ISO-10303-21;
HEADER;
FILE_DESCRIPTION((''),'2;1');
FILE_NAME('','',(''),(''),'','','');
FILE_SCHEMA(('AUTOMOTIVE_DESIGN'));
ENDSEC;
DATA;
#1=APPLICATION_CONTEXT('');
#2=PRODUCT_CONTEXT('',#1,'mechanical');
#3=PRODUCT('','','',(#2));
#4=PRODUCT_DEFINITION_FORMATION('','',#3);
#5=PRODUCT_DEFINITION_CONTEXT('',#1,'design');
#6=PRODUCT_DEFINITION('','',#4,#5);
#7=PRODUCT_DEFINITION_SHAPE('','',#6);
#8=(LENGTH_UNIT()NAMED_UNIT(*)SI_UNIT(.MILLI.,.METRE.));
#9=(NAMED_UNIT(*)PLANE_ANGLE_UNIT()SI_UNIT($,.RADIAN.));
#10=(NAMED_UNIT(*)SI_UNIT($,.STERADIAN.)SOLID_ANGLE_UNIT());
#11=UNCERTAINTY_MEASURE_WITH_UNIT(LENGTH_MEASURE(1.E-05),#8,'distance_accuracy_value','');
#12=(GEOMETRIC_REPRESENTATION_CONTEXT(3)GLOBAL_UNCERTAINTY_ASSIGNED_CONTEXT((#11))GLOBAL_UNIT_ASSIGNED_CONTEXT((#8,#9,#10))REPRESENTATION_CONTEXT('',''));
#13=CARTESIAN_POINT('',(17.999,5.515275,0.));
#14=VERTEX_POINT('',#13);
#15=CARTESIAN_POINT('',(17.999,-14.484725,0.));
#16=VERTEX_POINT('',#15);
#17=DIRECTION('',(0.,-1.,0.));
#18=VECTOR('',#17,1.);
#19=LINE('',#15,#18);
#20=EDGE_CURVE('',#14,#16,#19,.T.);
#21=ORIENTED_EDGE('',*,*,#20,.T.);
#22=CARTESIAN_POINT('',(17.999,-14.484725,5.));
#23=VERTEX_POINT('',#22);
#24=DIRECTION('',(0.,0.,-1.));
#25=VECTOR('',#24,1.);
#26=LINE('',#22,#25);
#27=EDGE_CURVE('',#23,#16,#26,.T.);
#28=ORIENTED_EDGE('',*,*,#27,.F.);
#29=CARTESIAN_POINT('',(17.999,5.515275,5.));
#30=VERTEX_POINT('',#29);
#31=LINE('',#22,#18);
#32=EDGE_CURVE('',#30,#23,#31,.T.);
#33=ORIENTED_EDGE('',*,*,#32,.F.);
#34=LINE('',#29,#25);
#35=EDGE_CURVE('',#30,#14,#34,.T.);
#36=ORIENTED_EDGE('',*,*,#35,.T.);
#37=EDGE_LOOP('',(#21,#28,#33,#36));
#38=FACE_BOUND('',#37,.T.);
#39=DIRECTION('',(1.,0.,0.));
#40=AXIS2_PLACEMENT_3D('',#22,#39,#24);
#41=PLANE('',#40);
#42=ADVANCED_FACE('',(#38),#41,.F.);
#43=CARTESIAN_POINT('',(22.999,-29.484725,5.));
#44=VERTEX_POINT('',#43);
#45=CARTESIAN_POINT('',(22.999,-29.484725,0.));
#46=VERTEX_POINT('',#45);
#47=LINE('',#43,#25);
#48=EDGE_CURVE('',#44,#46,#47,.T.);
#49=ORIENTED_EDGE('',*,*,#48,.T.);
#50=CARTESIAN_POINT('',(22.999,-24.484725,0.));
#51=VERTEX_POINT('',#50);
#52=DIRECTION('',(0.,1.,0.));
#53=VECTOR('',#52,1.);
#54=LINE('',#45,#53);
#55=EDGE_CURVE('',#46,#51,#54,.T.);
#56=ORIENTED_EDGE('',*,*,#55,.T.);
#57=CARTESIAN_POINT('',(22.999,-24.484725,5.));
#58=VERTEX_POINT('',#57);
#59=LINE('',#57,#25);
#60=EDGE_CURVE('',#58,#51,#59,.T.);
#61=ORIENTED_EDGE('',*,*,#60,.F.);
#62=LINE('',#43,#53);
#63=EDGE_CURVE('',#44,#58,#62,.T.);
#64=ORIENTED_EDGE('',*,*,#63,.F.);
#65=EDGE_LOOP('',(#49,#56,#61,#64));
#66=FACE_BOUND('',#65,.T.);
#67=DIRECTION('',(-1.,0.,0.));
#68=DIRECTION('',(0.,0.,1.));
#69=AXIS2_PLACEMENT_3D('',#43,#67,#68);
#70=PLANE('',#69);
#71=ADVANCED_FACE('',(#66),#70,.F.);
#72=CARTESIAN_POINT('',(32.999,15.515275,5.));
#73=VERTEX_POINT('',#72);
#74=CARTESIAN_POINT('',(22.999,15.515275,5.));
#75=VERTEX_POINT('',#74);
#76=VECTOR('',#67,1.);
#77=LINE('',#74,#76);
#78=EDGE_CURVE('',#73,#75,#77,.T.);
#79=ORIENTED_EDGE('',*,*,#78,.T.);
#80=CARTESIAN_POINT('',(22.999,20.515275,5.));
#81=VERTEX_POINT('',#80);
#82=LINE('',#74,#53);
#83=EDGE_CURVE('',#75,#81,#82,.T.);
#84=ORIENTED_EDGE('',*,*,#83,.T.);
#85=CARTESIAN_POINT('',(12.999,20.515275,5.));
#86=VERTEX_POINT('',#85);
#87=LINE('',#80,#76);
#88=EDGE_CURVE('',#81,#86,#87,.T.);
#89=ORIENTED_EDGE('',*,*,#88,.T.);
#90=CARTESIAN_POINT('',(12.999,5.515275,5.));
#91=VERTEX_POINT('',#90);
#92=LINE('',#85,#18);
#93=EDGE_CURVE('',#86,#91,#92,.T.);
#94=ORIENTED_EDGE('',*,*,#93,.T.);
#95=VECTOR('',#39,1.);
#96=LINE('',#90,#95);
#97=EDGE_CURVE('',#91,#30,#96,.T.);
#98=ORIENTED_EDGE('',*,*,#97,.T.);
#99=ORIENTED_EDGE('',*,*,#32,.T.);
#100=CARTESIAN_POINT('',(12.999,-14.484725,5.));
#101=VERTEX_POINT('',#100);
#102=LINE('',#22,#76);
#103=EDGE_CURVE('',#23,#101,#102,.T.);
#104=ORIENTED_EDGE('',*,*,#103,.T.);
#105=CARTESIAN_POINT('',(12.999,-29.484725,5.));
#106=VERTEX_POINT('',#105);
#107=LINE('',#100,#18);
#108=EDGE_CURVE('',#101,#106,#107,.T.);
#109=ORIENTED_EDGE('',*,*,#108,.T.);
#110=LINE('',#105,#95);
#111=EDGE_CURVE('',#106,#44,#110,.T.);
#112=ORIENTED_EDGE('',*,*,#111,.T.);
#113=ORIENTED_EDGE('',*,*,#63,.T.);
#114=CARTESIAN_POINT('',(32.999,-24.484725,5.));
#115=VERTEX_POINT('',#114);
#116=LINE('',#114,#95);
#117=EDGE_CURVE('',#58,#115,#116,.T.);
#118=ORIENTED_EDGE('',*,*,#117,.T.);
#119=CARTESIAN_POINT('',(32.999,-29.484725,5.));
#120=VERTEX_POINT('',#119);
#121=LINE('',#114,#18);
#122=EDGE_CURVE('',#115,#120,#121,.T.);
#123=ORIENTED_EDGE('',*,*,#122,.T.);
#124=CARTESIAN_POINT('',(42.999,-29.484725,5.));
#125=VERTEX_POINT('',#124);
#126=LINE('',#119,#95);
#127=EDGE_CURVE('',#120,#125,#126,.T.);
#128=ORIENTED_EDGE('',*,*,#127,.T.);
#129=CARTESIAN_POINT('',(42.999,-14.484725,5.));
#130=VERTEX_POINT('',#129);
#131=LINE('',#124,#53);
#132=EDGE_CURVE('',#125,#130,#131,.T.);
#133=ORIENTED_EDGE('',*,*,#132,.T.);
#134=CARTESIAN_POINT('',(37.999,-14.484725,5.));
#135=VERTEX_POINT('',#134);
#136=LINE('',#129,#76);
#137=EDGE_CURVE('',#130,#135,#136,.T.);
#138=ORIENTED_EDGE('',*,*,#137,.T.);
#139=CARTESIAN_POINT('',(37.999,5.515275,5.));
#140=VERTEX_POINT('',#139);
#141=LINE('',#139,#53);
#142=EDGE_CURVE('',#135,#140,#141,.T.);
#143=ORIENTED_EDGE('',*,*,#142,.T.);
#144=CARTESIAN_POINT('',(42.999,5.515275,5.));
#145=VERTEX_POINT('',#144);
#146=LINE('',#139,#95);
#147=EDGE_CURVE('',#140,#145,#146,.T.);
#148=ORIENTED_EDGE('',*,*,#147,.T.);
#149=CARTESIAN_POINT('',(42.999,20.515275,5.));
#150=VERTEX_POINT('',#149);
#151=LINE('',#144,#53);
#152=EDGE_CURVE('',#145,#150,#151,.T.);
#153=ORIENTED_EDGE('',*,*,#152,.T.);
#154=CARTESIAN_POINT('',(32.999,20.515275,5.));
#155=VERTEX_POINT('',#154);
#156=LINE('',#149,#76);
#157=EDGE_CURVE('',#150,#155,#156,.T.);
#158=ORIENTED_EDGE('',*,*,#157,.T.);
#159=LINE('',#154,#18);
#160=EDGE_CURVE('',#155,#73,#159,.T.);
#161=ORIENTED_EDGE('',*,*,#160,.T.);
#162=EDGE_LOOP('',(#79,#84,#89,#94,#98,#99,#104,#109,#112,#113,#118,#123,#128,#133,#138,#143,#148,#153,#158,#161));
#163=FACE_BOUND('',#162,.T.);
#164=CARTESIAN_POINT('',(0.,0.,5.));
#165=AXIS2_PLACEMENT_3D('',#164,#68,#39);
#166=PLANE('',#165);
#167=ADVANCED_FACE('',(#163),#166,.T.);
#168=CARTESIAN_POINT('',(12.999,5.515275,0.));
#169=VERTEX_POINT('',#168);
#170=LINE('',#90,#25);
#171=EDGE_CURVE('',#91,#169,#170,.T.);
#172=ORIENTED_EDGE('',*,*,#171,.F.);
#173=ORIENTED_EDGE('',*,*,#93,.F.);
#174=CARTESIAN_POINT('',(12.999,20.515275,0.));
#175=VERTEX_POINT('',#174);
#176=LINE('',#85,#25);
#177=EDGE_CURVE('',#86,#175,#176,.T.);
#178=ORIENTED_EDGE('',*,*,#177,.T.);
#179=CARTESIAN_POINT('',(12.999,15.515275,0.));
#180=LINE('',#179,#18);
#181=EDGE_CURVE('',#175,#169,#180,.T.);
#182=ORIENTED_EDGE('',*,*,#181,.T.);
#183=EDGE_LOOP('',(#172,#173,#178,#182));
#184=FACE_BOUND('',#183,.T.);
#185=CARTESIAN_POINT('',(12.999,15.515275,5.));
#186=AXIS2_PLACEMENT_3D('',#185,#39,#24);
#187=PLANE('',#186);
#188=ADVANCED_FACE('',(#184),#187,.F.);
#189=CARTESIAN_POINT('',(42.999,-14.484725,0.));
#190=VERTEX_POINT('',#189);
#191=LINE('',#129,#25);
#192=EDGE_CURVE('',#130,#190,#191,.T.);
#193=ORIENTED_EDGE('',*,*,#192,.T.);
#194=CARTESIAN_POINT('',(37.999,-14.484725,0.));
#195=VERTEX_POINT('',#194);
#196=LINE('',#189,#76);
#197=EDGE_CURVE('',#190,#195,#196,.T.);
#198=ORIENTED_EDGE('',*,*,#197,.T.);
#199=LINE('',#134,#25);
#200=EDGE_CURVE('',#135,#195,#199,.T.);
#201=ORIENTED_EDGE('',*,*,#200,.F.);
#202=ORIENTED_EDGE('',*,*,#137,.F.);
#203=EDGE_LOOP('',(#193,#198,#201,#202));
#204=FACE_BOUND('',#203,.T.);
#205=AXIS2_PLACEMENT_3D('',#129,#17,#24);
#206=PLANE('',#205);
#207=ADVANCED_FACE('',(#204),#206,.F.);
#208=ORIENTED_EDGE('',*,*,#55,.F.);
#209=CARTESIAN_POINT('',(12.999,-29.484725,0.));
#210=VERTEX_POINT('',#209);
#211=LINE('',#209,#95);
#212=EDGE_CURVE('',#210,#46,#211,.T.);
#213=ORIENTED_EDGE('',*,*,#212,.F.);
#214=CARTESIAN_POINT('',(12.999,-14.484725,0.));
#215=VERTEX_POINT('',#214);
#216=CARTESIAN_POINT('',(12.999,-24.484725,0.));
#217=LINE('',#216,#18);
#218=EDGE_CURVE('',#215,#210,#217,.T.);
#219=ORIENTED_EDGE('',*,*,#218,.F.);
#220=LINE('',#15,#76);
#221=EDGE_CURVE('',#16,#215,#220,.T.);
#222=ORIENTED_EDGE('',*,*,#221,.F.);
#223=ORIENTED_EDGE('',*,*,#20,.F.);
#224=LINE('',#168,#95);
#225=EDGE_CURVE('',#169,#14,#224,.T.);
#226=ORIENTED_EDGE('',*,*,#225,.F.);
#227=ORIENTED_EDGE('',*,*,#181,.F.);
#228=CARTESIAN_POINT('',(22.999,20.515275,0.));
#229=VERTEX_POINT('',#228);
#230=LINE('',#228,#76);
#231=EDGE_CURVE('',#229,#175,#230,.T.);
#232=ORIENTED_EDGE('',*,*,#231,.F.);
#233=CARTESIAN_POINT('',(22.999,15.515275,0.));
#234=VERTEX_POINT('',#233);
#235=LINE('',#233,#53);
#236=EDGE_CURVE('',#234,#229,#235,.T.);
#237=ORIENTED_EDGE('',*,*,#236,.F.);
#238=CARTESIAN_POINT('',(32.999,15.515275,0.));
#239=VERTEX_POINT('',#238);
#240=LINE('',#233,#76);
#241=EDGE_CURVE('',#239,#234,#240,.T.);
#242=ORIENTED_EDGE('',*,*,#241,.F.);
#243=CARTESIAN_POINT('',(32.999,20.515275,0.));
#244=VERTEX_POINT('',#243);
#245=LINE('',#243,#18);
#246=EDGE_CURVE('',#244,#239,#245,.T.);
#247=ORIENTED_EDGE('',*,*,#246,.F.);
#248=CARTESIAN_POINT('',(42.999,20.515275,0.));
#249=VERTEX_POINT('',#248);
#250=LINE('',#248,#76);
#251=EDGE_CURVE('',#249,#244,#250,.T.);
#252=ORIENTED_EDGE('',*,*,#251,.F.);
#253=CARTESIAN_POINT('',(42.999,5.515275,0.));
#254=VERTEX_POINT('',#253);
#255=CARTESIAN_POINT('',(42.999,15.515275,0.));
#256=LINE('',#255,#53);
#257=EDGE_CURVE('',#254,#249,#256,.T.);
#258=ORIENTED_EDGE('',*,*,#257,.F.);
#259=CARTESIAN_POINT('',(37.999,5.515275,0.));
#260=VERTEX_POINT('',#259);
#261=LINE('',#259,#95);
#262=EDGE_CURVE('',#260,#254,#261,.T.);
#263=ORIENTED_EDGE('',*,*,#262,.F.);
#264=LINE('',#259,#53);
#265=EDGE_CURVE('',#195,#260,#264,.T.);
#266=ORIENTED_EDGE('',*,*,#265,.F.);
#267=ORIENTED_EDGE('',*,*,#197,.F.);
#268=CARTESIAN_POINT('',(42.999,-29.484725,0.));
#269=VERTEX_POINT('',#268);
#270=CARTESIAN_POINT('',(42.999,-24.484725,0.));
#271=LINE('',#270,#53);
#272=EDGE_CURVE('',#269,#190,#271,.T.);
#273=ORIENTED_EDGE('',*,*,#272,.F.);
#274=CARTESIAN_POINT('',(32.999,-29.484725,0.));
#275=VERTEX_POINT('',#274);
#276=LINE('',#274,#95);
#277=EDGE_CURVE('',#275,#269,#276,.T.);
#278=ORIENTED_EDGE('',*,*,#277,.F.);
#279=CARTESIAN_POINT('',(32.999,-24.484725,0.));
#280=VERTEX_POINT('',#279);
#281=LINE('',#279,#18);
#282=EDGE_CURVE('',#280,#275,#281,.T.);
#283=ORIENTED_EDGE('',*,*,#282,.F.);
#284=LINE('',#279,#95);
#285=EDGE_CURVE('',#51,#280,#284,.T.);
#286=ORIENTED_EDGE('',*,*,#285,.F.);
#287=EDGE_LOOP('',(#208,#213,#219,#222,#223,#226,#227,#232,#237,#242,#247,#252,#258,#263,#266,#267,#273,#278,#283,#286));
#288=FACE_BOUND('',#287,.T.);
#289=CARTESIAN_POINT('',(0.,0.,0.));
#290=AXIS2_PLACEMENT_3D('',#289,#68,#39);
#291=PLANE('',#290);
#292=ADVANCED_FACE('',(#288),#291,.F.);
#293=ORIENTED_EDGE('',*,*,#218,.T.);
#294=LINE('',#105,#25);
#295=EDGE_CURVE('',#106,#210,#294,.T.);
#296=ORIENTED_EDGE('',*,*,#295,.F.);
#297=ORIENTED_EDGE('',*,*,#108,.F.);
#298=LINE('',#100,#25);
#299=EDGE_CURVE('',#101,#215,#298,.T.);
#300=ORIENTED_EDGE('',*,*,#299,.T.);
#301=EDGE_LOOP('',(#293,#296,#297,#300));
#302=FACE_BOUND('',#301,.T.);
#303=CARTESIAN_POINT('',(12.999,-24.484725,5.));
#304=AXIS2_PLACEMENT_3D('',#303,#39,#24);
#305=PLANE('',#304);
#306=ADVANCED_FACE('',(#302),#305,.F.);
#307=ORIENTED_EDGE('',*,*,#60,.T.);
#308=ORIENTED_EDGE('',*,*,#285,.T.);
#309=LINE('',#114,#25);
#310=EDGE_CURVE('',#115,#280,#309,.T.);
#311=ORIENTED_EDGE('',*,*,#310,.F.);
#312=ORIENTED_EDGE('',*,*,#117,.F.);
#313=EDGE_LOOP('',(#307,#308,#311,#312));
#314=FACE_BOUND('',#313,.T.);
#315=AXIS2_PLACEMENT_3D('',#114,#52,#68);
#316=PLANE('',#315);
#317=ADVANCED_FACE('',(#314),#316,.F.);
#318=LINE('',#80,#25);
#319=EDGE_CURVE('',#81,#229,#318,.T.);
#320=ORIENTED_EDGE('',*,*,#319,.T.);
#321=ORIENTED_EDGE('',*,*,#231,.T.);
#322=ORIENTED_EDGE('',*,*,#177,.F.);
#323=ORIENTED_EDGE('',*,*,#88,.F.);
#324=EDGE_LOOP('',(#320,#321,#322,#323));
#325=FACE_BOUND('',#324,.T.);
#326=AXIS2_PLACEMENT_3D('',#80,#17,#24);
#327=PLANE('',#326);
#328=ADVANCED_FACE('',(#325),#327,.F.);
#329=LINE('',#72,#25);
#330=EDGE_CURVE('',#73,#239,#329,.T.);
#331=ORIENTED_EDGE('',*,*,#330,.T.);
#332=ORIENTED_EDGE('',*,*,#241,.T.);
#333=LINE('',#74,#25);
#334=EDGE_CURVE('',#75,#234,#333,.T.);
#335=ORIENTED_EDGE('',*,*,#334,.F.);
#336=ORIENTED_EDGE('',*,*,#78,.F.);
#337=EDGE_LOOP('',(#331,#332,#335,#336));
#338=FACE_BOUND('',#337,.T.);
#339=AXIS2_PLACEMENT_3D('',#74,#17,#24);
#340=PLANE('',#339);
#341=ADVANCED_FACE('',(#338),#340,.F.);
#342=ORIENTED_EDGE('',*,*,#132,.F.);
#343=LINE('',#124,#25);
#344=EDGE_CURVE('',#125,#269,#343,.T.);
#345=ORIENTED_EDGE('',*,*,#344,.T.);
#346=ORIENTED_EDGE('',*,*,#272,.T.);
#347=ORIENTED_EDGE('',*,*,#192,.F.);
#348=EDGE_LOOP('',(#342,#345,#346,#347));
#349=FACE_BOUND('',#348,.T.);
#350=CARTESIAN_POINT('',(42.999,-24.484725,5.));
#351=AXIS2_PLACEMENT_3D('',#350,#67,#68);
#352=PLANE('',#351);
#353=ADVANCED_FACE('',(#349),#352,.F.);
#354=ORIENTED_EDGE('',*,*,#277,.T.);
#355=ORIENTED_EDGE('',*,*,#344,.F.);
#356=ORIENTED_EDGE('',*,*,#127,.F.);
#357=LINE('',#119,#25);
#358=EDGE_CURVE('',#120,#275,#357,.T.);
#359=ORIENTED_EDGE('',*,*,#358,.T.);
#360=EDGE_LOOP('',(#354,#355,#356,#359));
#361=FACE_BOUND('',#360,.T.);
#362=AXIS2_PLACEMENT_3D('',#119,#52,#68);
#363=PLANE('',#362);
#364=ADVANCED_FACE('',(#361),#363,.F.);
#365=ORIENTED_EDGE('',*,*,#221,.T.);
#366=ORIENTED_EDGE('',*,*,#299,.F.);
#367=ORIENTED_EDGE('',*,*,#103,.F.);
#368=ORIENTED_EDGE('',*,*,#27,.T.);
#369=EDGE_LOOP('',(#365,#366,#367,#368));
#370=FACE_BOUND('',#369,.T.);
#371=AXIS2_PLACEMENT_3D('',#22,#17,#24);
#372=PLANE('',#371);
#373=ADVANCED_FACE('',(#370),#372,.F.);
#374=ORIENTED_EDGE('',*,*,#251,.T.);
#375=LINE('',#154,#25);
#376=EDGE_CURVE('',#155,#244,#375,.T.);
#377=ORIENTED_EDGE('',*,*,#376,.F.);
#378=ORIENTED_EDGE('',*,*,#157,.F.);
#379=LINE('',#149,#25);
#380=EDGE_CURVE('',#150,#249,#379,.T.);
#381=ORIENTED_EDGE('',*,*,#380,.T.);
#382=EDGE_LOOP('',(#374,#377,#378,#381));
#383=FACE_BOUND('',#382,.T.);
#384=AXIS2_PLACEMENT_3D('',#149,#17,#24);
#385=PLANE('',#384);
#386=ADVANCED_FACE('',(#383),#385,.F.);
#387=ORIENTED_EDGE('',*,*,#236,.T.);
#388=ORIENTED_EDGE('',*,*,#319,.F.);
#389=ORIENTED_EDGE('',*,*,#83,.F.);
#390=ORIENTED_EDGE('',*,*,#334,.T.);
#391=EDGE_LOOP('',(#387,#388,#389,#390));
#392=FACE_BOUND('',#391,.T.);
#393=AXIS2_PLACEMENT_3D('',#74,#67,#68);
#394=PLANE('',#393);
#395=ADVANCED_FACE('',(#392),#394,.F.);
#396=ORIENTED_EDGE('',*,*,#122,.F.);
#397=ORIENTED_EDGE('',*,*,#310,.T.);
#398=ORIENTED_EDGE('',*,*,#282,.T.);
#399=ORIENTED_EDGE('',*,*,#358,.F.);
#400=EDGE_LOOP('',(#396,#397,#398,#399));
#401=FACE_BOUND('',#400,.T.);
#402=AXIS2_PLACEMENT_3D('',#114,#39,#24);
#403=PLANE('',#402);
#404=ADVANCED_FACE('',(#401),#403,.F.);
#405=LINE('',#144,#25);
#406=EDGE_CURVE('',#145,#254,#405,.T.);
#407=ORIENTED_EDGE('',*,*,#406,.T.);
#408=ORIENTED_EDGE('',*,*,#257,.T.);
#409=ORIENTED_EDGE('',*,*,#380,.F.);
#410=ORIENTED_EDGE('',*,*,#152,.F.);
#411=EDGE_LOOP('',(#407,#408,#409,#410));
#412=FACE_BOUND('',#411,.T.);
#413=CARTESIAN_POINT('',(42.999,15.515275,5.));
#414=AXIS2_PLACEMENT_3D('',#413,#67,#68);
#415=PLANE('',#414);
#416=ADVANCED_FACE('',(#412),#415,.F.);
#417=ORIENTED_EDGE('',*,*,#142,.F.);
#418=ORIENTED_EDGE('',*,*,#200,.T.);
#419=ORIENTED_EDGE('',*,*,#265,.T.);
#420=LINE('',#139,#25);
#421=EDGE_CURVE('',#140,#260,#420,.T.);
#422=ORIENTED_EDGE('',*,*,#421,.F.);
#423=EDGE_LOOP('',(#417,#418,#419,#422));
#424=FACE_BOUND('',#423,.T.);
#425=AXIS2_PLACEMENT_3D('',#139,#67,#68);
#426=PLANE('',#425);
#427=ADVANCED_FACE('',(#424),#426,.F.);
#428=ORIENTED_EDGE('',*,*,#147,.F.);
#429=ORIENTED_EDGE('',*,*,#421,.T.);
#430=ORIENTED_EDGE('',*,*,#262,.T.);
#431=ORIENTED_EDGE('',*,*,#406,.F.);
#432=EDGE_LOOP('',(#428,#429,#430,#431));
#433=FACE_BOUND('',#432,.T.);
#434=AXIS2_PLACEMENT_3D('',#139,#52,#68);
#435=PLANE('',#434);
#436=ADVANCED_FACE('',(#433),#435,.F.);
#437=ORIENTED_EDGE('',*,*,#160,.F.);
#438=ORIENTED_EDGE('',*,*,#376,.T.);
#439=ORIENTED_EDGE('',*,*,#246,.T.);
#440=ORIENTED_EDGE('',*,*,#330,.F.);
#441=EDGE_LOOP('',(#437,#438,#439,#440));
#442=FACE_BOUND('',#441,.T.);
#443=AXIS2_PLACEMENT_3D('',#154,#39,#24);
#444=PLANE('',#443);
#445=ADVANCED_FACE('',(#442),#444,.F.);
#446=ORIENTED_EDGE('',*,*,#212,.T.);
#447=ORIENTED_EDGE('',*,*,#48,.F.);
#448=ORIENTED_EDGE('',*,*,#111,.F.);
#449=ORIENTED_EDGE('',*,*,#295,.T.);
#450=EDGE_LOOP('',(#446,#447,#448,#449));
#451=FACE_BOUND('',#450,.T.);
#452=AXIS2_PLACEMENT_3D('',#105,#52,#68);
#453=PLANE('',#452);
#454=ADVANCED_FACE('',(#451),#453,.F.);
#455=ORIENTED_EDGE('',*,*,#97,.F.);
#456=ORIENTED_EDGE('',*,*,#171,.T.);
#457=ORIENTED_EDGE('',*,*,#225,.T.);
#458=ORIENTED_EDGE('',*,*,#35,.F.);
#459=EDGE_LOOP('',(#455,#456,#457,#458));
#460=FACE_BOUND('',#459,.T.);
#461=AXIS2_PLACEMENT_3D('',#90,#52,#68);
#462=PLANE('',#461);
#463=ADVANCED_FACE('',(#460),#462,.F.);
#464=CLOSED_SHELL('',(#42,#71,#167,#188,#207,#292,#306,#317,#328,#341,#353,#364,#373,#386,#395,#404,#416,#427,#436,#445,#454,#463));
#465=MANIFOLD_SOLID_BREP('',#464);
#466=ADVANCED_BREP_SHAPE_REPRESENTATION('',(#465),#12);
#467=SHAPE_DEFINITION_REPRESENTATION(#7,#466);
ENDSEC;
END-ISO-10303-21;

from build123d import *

# Parameters (mm, degrees)
BOSS_EXTRUDE1_DEPTH = 5


with BuildPart() as part:
    # Sketch1 → Boss-Extrude1 (new body)
    with BuildSketch(Plane.XY):
        Polygon((12.999000463, 15.515274598), (12.999000463, 5.515274598), (17.999000463, 5.515274598), (17.999000463, -14.484725402), (12.999000463, -14.484725402), (12.999000463, -24.484725402), (12.999000463, -29.484725402), (22.999000463, -29.484725402), (22.999000463, -24.484725402), (32.999000463, -24.484725402), (32.999000463, -29.484725402), (42.999000463, -29.484725402), (42.999000463, -24.484725402), (42.999000463, -14.484725402), (37.999000463, -14.484725402), (37.999000463, 5.515274598), (42.999000463, 5.515274598), (42.999000463, 15.515274598), (42.999000463, 20.515274598), (32.999000463, 20.515274598), (32.999000463, 15.515274598), (22.999000463, 15.515274598), (22.999000463, 20.515274598), (12.999000463, 20.515274598), align=None)
    extrude(amount=BOSS_EXTRUDE1_DEPTH)


solid = part.part
